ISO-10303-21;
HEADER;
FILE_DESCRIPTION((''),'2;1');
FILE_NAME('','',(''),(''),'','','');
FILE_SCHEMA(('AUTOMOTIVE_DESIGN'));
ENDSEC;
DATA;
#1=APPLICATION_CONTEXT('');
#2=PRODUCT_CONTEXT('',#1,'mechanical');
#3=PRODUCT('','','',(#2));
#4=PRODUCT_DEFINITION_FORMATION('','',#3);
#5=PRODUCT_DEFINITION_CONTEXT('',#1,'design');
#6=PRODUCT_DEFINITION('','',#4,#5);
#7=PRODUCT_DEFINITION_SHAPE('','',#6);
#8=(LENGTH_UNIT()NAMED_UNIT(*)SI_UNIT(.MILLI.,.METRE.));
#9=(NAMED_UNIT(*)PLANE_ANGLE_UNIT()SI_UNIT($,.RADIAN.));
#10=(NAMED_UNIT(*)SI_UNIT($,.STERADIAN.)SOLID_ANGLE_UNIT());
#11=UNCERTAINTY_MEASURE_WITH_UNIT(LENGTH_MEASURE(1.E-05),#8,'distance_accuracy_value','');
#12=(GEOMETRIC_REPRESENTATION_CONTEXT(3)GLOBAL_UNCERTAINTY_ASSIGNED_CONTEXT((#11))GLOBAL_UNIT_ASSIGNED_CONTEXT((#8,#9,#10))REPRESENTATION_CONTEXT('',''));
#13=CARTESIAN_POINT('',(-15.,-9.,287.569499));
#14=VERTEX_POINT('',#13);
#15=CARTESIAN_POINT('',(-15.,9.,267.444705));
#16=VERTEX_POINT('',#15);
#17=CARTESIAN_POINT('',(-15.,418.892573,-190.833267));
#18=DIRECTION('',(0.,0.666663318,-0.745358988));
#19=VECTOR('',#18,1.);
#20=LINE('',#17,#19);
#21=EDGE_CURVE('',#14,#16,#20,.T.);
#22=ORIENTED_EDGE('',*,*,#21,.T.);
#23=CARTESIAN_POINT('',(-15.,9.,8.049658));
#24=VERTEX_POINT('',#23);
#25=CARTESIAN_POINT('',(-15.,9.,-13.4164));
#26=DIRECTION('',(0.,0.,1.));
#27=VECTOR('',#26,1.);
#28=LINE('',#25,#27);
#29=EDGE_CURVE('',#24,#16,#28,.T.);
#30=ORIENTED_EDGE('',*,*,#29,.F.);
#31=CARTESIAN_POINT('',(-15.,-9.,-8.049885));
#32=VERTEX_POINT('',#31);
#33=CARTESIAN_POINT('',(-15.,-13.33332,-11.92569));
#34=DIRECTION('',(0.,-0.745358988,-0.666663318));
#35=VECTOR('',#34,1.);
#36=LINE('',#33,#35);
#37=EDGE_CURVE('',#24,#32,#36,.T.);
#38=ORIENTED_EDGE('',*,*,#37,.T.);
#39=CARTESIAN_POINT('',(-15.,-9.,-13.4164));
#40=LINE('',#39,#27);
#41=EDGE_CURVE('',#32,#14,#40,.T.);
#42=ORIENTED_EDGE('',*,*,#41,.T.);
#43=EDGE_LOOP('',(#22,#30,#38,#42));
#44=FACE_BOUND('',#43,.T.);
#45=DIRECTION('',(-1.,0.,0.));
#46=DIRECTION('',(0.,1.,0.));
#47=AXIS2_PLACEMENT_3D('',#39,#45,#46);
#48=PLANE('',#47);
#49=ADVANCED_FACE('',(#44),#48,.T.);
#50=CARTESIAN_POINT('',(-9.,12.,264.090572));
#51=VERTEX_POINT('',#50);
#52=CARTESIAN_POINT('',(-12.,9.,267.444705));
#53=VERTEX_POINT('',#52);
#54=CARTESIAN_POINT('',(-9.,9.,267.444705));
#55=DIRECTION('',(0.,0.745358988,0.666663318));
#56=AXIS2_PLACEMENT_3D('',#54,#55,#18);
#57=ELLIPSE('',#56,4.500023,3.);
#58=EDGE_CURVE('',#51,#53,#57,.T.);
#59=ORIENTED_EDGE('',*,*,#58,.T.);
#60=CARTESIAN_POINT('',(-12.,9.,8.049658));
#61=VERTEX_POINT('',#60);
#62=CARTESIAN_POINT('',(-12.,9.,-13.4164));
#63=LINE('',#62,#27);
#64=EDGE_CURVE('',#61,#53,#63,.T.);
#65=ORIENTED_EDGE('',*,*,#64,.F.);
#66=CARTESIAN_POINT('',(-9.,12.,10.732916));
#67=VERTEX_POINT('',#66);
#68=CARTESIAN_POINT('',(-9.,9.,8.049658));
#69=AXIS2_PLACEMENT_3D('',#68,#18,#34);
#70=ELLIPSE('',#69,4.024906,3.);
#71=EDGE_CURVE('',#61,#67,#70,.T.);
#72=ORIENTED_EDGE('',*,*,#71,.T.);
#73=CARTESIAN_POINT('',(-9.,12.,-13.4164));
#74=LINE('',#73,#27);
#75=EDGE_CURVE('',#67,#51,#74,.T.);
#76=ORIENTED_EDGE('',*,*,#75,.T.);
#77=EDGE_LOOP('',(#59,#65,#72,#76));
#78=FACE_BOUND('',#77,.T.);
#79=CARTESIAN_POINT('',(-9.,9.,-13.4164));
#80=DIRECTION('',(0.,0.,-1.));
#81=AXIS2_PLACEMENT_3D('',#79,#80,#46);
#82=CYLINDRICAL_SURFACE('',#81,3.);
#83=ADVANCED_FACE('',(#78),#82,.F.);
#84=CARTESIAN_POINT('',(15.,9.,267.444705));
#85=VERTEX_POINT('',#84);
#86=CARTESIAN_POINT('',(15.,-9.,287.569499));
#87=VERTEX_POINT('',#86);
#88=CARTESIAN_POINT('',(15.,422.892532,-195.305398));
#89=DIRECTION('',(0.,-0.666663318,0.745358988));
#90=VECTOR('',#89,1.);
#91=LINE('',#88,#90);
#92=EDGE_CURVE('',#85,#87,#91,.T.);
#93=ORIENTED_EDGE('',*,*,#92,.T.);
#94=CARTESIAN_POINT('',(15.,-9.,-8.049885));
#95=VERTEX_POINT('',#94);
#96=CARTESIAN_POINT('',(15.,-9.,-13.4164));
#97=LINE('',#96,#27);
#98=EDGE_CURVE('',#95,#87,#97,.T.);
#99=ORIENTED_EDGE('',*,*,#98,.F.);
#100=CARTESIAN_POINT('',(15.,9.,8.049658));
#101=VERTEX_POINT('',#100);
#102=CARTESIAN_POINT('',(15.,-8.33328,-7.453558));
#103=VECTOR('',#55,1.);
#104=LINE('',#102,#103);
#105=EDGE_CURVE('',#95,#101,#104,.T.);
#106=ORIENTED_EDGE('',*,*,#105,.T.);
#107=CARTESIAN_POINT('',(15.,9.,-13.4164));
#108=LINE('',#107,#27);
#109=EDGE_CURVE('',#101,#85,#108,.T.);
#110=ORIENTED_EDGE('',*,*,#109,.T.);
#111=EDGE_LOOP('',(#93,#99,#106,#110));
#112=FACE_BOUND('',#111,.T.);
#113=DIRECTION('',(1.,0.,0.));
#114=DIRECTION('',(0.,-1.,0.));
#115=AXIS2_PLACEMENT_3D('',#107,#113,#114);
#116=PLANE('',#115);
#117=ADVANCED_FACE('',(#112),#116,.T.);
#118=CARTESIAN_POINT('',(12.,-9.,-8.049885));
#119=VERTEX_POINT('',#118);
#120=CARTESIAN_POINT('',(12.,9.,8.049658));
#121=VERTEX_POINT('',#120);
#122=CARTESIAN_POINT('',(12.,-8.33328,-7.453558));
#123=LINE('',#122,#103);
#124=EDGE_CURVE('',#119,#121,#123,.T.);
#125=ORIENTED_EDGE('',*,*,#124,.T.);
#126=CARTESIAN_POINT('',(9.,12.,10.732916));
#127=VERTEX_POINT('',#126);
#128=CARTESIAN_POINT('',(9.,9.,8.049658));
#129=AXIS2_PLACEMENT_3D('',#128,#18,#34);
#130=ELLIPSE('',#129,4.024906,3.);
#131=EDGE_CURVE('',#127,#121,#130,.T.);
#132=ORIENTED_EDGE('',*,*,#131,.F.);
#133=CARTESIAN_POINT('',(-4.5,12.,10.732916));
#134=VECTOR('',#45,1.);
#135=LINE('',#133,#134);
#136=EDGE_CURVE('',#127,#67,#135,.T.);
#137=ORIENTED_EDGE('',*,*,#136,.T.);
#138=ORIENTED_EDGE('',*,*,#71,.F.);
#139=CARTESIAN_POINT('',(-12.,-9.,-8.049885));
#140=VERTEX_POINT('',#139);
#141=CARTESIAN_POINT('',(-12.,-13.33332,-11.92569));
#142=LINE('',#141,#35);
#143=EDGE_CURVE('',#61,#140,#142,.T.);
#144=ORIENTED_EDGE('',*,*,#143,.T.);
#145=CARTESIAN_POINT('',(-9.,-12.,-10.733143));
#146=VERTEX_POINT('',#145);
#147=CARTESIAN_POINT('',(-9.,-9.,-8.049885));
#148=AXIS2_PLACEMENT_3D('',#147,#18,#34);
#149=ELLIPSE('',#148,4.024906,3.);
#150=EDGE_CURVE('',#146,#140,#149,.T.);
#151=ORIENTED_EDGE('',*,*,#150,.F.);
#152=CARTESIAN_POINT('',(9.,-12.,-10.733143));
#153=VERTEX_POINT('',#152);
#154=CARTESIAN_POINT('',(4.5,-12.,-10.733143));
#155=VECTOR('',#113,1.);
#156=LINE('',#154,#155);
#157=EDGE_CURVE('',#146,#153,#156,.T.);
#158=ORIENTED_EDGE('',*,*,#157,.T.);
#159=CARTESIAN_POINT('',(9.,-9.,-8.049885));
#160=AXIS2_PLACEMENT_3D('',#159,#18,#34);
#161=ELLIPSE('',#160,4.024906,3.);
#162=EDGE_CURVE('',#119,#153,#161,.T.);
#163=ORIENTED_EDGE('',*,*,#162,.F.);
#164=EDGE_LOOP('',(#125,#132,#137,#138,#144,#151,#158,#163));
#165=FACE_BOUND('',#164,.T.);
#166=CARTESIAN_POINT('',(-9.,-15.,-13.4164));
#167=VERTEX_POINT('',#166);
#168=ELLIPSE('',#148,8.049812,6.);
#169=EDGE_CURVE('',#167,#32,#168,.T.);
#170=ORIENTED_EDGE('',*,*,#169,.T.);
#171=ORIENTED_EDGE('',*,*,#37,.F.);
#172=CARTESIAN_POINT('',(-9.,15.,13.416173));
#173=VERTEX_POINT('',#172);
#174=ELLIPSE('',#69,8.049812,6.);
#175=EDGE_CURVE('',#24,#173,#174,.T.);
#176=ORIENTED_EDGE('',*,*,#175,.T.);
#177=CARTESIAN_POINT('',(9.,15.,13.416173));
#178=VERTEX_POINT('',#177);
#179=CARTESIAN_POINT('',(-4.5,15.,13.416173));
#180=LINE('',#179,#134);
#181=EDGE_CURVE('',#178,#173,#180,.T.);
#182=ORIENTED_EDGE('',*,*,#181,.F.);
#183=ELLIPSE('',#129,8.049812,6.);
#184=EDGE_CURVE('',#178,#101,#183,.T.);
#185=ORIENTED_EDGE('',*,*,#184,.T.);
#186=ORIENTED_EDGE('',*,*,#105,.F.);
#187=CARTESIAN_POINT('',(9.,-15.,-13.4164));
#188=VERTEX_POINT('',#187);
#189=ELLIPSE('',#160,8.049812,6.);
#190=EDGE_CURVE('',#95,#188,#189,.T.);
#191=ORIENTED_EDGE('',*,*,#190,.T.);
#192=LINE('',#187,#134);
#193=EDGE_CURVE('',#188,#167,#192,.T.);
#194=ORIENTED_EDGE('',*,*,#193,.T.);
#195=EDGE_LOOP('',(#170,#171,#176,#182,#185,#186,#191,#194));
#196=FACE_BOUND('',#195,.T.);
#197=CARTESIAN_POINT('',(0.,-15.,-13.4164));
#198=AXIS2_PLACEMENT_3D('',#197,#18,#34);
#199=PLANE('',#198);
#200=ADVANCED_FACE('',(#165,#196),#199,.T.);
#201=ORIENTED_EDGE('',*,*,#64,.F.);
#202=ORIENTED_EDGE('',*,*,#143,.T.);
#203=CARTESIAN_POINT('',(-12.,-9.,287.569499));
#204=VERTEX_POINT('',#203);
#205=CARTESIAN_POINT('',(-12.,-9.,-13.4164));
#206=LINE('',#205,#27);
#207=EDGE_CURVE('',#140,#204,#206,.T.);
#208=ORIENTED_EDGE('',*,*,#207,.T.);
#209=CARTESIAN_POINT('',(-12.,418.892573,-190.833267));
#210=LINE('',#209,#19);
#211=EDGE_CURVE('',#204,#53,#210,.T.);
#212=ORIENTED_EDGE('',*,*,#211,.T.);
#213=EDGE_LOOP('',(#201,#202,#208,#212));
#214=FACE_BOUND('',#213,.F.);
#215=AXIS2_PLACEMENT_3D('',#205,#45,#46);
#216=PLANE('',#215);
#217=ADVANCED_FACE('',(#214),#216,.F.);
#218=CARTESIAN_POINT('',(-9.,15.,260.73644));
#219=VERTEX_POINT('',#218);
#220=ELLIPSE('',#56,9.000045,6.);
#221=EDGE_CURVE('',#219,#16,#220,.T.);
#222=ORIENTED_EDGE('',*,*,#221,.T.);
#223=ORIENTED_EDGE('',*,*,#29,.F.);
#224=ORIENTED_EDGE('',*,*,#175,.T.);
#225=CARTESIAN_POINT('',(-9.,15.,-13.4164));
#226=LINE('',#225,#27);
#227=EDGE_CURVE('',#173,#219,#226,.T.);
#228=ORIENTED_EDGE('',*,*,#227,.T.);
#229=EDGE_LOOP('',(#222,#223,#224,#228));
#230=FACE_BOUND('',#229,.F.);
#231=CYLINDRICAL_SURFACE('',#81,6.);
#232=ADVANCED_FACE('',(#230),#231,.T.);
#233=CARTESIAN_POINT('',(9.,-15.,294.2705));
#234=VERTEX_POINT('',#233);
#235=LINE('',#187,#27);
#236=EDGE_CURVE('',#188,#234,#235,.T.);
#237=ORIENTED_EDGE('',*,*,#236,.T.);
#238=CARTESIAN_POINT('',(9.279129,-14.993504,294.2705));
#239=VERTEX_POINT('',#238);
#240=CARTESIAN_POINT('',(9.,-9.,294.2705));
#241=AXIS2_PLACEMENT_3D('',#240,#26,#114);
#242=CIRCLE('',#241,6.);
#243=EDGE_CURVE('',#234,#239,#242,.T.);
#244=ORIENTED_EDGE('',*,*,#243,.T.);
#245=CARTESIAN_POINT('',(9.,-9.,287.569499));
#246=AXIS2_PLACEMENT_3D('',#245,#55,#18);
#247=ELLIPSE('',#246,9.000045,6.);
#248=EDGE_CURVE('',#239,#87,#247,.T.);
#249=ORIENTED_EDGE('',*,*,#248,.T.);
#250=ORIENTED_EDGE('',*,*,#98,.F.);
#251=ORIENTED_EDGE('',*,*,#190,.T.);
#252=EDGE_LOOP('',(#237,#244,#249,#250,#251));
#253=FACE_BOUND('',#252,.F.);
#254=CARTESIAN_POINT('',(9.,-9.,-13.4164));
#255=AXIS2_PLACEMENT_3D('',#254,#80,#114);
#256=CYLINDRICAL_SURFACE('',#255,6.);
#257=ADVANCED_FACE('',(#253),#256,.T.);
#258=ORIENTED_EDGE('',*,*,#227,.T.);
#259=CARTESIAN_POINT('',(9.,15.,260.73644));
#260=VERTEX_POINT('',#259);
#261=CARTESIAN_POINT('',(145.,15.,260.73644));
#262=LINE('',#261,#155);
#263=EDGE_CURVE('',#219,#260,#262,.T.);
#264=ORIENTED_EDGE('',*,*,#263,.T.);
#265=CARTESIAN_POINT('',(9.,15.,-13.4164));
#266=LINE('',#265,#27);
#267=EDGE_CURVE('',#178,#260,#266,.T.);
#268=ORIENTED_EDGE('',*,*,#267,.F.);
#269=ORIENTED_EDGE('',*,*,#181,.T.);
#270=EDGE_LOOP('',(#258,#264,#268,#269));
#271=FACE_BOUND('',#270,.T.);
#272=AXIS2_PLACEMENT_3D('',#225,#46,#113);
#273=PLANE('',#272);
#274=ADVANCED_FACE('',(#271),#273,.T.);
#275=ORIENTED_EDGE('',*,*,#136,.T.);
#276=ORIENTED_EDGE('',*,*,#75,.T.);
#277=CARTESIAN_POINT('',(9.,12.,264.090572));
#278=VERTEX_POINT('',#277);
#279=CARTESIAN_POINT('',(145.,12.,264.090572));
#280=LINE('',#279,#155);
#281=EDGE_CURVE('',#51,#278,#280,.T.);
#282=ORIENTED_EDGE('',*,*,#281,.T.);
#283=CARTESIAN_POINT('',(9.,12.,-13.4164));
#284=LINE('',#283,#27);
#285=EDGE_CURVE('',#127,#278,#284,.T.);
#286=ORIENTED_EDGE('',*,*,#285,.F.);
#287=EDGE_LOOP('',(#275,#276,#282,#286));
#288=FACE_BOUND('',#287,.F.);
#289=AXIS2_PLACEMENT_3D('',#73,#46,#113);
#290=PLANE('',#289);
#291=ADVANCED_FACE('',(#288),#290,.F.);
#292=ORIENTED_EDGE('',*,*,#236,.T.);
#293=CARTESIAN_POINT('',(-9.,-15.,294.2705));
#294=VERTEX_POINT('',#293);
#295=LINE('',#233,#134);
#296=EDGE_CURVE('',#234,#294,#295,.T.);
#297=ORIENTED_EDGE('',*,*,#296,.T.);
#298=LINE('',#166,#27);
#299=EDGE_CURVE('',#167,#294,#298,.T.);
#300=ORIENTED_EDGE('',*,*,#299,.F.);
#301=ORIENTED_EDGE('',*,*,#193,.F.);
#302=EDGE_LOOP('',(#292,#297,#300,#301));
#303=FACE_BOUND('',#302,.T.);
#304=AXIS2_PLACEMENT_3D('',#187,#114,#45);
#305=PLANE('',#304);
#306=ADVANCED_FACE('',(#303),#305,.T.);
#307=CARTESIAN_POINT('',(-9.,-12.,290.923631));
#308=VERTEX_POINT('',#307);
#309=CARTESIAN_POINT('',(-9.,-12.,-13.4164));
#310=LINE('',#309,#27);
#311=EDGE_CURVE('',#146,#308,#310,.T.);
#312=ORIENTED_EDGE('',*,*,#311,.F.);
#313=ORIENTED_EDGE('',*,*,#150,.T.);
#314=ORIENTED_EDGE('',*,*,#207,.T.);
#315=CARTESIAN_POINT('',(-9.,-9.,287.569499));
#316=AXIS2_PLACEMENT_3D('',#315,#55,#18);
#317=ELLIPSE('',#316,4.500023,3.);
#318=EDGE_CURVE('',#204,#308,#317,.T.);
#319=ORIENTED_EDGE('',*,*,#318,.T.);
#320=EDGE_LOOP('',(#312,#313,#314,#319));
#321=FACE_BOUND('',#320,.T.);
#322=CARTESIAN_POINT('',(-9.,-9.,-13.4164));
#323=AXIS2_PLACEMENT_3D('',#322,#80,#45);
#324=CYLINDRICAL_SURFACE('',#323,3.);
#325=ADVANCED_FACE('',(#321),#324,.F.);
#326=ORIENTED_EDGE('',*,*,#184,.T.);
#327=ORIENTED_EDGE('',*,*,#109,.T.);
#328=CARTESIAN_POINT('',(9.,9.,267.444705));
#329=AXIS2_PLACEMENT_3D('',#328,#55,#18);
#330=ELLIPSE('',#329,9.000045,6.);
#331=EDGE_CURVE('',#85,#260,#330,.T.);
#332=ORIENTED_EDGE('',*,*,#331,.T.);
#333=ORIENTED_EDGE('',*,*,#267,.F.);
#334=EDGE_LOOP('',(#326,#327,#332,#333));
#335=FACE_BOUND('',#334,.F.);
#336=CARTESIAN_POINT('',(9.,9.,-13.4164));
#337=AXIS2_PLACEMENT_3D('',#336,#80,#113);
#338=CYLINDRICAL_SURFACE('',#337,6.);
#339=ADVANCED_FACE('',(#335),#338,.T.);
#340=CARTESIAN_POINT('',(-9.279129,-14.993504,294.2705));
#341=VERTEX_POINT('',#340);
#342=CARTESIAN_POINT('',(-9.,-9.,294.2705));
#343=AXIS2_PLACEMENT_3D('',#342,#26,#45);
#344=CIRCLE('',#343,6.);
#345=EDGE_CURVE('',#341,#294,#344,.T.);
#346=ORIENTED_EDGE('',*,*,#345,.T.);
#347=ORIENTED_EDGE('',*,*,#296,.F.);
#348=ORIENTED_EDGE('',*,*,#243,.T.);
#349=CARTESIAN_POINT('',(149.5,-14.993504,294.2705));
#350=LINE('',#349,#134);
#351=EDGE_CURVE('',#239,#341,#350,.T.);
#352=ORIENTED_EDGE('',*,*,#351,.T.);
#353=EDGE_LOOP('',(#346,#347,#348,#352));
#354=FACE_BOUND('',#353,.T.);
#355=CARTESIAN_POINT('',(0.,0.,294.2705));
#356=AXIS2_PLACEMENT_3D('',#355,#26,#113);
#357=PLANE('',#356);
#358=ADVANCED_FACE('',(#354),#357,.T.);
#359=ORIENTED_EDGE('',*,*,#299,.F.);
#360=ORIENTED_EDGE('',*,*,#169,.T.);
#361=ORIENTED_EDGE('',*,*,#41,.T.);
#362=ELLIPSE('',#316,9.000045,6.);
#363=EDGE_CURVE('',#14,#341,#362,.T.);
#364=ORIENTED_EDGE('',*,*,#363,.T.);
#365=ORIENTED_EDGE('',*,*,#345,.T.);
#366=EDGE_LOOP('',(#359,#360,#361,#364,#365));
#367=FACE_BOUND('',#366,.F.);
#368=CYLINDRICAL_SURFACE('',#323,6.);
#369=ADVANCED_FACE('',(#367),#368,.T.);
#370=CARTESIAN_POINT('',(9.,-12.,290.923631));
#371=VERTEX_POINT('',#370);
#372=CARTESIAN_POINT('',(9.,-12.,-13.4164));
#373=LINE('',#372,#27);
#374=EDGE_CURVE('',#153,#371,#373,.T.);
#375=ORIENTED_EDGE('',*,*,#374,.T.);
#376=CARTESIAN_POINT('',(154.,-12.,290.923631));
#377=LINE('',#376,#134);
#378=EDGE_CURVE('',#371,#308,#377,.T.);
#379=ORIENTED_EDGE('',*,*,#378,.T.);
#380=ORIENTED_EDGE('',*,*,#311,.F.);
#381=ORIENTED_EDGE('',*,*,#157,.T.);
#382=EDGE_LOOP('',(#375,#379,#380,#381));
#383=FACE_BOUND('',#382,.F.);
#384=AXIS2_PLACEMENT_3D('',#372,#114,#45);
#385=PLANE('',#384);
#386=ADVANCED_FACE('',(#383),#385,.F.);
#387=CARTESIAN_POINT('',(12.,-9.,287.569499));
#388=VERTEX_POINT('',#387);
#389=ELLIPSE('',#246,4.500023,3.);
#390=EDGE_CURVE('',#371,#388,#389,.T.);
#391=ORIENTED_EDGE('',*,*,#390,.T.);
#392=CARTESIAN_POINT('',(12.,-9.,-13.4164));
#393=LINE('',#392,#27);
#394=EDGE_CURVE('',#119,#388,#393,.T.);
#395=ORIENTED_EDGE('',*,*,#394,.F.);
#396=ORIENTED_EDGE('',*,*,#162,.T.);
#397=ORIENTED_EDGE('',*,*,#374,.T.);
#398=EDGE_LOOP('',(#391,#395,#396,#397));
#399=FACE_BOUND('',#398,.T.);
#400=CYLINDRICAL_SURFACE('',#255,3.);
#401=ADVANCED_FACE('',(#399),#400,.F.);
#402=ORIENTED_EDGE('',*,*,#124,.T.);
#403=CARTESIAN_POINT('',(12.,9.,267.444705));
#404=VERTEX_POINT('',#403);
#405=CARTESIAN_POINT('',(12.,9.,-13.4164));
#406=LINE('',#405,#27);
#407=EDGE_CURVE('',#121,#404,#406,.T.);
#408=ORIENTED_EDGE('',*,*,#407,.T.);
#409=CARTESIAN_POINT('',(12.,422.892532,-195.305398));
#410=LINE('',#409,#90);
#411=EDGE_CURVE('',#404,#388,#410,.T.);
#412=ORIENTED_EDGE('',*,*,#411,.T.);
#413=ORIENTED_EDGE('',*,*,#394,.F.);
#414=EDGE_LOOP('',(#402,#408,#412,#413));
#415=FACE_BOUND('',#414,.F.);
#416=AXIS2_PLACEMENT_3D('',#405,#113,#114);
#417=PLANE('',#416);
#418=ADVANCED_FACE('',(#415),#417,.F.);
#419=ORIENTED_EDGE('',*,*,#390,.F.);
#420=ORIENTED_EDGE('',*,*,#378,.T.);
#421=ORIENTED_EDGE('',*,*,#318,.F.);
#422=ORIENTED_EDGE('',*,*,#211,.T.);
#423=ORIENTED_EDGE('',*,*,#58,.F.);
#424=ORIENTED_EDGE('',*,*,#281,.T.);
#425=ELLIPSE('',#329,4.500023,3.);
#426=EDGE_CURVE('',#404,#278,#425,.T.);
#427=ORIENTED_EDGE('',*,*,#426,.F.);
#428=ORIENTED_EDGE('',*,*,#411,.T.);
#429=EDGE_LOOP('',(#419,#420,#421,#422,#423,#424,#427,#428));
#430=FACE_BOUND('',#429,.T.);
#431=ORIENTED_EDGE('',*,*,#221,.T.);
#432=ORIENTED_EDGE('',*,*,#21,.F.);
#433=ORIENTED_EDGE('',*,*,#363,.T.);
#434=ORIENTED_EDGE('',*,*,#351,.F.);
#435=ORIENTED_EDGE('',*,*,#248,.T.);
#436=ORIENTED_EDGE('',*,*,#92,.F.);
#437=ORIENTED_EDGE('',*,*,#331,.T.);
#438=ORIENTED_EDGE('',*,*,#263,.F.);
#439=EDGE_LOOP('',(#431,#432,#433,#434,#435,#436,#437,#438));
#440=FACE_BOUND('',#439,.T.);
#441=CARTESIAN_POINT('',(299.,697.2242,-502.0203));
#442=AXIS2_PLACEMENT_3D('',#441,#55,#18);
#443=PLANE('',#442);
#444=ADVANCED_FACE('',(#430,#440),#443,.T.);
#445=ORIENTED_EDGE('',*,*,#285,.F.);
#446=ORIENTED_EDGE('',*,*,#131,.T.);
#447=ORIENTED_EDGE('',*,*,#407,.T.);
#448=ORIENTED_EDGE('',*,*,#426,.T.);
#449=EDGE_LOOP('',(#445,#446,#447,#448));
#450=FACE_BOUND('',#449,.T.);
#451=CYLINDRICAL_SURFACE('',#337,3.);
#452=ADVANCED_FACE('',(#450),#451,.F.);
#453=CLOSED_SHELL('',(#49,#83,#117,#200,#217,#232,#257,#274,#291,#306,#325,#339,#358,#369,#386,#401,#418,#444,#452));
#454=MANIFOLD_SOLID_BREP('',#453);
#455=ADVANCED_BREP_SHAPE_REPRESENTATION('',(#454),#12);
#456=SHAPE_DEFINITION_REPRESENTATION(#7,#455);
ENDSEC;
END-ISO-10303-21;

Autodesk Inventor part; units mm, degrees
ref_plane "Start Plane" through (0, 0, -13.4164) normal (0, 0, 1) x (1, 0, 0)
ref_plane "End Plane" through (0, 0, 294.2705) normal (0, 0, 1) x (1, 0, 0)
sketch "Sketch" plane through (0, 0, 0) normal (0, 0, 1) x (1, 0, 0)
  line L0 (-15, -9) -> (-15, 9)
  line L1 (-9, 15) -> (9, 15)
  line L2 (15, 9) -> (15, -9)
  line L3 (9, -15) -> (-9, -15)
  arc A0 (-15, -9) -> (-9, -15) centre (-9, -9) ccw
  arc A1 (-9, 15) -> (-15, 9) centre (-9, 9) ccw
  arc A2 (15, 9) -> (9, 15) centre (9, 9) ccw
  arc A3 (9, -15) -> (15, -9) centre (9, -9) ccw
  arc A4 (-9, 12) -> (-12, 9) centre (-9, 9) ccw
  line L4 (-9, 12) -> (9, 12)
  arc A5 (12, 9) -> (9, 12) centre (9, 9) ccw
  line L5 (12, 9) -> (12, -9)
  arc A6 (9, -12) -> (12, -9) centre (9, -9) ccw
  line L6 (9, -12) -> (-9, -12)
  arc A7 (-12, -9) -> (-9, -12) centre (-9, -9) ccw
  line L7 (-12, -9) -> (-12, 9)
  line L8 (0, 22.7397) -> (0, -22.7397) construction
  line L9 (-22.7397, 0) -> (22.7397, 0) construction
  dimension "d7" = 6
  dimension "d10" = 30
  dimension "d11" = 30
  dimension "d12" = 3
  dimension "d15" = 15
  dimension "d16" = 15
extrude "Body" add sketch "Sketch" along normal up to surface (307.6869 mm away) from surface at -13.4164
sketch "Sketch3" plane through (0, 0, 0) normal (0, 0, 1) x (1, 0, 0)
  line L0 (0, 0) -> (10, 0)
ref_plane "Work Plane3" through (0, 0, 0) normal (0, -1, 0) x (1, 0, 0)
ref_plane "Work Plane4" through (0, -15, -13.4164) normal (0, 0.6667, -0.7454) x (1, 0, 0)
split "Split1" plane through (0, -15, -13.4164) removes the side toward (0, 0.6667, -0.7454)
ref_plane "Work Plane5" through (299, 697.2242, -502.0203) normal (0, 0.7454, 0.6667) x (1, 0, 0)
split "Split2" plane through (299, 697.2242, -502.0203) removes the side toward (0, 0.7454, 0.6667)
sketch "Sketch4" plane through (0, 0, 0) normal (0, -1, 0) x (1, 0, 0)
  line L0 (-2, -13.4164) -> (12, -13.4164) projected
  line L1 (-2, 294.2705) -> (12, 294.2705) projected
  dimension "d18" = 307.6869
equation "\"d7\" = G_IR"
equation "\"d10\" = G_H"
equation "\"d11\" = G_W"
equation "\"d12\" = G_T"
equation "\"d15\" = 0.5 * d10"
equation "\"d16\" = 0.5 * d11"
equation "\"d3\" = G_L"
equation "\"G_W\" = 30"
equation "\"G_H\" = 30"
equation "\"G_T\" = 3"
equation "\"G_IR\" = 6"
equation "\"G_L\" = d18"
equation "\"G_OFFSET_START\" = 13.41641"
equation "\"G_OFFSET_END\" = -5.72949"
equation "\"d13\" = -G_OFFSET_START"
equation "\"d14\" = G_OFFSET_END + B_L"
equation "\"B_L\" = 300"
properties part number "DIN EN 10219-2 - 30 x 30 x 3  - 307.69" material "Steel, Mild"
